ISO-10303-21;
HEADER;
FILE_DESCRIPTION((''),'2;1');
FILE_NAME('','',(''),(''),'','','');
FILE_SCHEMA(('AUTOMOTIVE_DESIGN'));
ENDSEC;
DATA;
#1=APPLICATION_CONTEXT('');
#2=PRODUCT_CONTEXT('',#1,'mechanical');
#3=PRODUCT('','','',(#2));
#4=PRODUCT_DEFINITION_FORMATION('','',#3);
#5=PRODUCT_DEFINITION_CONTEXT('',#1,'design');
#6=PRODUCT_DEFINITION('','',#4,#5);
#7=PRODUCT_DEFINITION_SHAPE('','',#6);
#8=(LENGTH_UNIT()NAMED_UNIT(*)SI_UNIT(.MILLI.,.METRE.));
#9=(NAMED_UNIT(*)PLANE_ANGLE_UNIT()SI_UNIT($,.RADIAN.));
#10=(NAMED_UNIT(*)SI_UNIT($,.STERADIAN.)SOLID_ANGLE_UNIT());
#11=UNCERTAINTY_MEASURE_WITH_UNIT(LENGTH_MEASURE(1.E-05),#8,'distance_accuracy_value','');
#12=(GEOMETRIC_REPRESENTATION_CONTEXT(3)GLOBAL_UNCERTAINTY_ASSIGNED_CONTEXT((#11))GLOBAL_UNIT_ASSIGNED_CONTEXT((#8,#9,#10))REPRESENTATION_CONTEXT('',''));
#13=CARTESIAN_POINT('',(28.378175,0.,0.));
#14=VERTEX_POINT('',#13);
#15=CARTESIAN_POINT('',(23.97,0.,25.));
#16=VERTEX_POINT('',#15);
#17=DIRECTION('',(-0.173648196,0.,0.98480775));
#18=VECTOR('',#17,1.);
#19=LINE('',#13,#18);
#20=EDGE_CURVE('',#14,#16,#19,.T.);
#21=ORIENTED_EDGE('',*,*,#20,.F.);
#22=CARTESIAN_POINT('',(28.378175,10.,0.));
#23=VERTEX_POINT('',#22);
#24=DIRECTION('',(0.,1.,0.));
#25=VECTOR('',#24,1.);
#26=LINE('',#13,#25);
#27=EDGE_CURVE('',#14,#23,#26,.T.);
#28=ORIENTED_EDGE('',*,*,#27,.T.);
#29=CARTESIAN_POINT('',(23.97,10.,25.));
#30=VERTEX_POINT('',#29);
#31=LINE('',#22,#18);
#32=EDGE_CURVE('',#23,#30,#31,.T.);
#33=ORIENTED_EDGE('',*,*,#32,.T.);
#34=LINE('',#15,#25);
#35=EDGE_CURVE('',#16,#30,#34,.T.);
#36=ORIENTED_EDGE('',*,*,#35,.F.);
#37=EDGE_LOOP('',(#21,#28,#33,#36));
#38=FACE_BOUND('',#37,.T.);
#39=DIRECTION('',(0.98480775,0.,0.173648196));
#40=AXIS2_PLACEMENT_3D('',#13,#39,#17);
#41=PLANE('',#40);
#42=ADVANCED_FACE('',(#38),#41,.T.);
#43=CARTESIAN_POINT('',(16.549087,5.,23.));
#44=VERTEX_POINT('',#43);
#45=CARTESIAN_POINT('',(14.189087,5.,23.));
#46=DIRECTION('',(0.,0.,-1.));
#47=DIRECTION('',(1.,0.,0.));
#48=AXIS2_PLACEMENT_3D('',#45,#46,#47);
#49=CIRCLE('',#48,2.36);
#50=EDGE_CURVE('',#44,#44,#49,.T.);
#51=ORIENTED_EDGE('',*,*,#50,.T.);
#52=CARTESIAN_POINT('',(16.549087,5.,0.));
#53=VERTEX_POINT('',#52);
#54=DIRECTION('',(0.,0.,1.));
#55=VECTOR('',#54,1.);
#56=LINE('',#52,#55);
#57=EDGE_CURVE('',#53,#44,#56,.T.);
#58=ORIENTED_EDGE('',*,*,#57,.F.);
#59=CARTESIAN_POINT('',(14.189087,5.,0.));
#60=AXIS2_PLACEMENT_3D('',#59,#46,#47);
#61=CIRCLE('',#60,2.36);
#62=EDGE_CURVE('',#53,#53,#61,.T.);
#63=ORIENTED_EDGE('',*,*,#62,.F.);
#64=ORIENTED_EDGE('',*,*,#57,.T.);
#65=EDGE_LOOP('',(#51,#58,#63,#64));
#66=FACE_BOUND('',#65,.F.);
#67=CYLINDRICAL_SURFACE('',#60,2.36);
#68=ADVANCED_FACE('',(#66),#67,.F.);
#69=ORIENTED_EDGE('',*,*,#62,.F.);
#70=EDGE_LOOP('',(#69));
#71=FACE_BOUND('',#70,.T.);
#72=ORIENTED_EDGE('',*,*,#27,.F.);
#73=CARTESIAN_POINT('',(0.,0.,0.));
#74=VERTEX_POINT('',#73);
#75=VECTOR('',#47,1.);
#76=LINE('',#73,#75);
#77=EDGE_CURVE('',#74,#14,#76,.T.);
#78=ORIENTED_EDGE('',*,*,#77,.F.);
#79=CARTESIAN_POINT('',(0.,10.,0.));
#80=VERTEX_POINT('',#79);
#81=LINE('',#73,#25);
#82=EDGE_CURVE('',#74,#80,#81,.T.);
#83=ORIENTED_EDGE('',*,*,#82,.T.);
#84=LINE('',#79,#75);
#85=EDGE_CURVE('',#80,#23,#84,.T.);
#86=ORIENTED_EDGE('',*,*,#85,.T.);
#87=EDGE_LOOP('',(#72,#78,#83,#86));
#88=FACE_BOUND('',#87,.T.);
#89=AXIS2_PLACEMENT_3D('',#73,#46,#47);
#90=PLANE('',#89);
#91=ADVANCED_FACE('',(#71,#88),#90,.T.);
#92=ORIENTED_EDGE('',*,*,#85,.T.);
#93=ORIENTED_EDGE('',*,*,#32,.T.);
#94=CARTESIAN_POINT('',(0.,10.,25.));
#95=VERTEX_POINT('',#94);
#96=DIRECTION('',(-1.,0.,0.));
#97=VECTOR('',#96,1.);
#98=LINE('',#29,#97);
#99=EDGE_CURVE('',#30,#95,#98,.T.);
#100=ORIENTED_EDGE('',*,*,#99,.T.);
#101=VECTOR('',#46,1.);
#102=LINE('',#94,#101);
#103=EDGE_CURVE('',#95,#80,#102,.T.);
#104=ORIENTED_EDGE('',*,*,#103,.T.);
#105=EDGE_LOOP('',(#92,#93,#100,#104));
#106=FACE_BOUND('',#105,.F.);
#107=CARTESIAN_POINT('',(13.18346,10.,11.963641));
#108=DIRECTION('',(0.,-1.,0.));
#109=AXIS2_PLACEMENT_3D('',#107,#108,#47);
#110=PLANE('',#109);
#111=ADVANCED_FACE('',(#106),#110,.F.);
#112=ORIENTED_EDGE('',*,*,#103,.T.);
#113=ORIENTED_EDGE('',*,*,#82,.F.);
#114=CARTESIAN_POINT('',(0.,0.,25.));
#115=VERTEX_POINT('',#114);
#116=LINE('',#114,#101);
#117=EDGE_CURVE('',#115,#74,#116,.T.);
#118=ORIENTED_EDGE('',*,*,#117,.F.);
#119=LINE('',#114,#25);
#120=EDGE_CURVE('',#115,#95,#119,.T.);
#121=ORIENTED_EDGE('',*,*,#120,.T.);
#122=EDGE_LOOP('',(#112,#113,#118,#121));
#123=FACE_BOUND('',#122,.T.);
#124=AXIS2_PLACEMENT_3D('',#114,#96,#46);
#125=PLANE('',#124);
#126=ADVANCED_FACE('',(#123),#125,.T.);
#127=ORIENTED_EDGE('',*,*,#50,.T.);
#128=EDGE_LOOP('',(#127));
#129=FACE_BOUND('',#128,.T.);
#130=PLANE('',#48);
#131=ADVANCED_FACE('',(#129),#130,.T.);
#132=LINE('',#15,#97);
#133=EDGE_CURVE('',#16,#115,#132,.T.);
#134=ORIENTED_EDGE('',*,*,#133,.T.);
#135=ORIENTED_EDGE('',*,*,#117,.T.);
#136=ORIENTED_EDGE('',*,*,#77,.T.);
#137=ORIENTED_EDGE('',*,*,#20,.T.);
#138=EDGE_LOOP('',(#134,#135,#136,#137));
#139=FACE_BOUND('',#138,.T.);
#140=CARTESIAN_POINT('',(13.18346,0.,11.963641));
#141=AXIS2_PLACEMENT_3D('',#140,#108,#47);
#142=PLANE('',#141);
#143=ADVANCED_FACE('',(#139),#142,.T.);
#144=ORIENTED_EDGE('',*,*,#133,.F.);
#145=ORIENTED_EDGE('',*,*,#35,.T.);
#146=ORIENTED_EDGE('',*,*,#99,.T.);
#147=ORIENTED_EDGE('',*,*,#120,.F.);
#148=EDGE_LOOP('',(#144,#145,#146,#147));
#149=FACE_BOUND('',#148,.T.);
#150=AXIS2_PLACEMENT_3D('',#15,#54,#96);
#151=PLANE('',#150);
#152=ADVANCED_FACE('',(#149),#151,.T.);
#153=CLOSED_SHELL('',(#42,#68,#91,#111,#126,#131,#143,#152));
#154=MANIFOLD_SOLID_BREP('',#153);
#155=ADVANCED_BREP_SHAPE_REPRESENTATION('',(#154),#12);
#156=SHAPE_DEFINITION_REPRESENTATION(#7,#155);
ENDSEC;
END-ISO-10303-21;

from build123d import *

# Parameters (mm, degrees)
F1_DEPTH = 10
F2_R     = 2.36
F3_DEPTH = 23


with BuildPart() as f1:
    # F0 (on Front) → F1 (new body)
    with BuildSketch(Plane.XZ):
        Polygon((0, 25), (0, 0), (28.378175, 0), (23.97, 25), align=None)
    extrude(amount=-F1_DEPTH)

    # F2 (on face) → F3 (cut)
    with BuildSketch(Plane(origin=(0, 0, 0), x_dir=(1, 0, 0), z_dir=(0, 0, -1))):
        with Locations((14.189087, -5)):
            Circle(F2_R)
    extrude(amount=-F3_DEPTH, mode=Mode.SUBTRACT)


solid = f1.part
